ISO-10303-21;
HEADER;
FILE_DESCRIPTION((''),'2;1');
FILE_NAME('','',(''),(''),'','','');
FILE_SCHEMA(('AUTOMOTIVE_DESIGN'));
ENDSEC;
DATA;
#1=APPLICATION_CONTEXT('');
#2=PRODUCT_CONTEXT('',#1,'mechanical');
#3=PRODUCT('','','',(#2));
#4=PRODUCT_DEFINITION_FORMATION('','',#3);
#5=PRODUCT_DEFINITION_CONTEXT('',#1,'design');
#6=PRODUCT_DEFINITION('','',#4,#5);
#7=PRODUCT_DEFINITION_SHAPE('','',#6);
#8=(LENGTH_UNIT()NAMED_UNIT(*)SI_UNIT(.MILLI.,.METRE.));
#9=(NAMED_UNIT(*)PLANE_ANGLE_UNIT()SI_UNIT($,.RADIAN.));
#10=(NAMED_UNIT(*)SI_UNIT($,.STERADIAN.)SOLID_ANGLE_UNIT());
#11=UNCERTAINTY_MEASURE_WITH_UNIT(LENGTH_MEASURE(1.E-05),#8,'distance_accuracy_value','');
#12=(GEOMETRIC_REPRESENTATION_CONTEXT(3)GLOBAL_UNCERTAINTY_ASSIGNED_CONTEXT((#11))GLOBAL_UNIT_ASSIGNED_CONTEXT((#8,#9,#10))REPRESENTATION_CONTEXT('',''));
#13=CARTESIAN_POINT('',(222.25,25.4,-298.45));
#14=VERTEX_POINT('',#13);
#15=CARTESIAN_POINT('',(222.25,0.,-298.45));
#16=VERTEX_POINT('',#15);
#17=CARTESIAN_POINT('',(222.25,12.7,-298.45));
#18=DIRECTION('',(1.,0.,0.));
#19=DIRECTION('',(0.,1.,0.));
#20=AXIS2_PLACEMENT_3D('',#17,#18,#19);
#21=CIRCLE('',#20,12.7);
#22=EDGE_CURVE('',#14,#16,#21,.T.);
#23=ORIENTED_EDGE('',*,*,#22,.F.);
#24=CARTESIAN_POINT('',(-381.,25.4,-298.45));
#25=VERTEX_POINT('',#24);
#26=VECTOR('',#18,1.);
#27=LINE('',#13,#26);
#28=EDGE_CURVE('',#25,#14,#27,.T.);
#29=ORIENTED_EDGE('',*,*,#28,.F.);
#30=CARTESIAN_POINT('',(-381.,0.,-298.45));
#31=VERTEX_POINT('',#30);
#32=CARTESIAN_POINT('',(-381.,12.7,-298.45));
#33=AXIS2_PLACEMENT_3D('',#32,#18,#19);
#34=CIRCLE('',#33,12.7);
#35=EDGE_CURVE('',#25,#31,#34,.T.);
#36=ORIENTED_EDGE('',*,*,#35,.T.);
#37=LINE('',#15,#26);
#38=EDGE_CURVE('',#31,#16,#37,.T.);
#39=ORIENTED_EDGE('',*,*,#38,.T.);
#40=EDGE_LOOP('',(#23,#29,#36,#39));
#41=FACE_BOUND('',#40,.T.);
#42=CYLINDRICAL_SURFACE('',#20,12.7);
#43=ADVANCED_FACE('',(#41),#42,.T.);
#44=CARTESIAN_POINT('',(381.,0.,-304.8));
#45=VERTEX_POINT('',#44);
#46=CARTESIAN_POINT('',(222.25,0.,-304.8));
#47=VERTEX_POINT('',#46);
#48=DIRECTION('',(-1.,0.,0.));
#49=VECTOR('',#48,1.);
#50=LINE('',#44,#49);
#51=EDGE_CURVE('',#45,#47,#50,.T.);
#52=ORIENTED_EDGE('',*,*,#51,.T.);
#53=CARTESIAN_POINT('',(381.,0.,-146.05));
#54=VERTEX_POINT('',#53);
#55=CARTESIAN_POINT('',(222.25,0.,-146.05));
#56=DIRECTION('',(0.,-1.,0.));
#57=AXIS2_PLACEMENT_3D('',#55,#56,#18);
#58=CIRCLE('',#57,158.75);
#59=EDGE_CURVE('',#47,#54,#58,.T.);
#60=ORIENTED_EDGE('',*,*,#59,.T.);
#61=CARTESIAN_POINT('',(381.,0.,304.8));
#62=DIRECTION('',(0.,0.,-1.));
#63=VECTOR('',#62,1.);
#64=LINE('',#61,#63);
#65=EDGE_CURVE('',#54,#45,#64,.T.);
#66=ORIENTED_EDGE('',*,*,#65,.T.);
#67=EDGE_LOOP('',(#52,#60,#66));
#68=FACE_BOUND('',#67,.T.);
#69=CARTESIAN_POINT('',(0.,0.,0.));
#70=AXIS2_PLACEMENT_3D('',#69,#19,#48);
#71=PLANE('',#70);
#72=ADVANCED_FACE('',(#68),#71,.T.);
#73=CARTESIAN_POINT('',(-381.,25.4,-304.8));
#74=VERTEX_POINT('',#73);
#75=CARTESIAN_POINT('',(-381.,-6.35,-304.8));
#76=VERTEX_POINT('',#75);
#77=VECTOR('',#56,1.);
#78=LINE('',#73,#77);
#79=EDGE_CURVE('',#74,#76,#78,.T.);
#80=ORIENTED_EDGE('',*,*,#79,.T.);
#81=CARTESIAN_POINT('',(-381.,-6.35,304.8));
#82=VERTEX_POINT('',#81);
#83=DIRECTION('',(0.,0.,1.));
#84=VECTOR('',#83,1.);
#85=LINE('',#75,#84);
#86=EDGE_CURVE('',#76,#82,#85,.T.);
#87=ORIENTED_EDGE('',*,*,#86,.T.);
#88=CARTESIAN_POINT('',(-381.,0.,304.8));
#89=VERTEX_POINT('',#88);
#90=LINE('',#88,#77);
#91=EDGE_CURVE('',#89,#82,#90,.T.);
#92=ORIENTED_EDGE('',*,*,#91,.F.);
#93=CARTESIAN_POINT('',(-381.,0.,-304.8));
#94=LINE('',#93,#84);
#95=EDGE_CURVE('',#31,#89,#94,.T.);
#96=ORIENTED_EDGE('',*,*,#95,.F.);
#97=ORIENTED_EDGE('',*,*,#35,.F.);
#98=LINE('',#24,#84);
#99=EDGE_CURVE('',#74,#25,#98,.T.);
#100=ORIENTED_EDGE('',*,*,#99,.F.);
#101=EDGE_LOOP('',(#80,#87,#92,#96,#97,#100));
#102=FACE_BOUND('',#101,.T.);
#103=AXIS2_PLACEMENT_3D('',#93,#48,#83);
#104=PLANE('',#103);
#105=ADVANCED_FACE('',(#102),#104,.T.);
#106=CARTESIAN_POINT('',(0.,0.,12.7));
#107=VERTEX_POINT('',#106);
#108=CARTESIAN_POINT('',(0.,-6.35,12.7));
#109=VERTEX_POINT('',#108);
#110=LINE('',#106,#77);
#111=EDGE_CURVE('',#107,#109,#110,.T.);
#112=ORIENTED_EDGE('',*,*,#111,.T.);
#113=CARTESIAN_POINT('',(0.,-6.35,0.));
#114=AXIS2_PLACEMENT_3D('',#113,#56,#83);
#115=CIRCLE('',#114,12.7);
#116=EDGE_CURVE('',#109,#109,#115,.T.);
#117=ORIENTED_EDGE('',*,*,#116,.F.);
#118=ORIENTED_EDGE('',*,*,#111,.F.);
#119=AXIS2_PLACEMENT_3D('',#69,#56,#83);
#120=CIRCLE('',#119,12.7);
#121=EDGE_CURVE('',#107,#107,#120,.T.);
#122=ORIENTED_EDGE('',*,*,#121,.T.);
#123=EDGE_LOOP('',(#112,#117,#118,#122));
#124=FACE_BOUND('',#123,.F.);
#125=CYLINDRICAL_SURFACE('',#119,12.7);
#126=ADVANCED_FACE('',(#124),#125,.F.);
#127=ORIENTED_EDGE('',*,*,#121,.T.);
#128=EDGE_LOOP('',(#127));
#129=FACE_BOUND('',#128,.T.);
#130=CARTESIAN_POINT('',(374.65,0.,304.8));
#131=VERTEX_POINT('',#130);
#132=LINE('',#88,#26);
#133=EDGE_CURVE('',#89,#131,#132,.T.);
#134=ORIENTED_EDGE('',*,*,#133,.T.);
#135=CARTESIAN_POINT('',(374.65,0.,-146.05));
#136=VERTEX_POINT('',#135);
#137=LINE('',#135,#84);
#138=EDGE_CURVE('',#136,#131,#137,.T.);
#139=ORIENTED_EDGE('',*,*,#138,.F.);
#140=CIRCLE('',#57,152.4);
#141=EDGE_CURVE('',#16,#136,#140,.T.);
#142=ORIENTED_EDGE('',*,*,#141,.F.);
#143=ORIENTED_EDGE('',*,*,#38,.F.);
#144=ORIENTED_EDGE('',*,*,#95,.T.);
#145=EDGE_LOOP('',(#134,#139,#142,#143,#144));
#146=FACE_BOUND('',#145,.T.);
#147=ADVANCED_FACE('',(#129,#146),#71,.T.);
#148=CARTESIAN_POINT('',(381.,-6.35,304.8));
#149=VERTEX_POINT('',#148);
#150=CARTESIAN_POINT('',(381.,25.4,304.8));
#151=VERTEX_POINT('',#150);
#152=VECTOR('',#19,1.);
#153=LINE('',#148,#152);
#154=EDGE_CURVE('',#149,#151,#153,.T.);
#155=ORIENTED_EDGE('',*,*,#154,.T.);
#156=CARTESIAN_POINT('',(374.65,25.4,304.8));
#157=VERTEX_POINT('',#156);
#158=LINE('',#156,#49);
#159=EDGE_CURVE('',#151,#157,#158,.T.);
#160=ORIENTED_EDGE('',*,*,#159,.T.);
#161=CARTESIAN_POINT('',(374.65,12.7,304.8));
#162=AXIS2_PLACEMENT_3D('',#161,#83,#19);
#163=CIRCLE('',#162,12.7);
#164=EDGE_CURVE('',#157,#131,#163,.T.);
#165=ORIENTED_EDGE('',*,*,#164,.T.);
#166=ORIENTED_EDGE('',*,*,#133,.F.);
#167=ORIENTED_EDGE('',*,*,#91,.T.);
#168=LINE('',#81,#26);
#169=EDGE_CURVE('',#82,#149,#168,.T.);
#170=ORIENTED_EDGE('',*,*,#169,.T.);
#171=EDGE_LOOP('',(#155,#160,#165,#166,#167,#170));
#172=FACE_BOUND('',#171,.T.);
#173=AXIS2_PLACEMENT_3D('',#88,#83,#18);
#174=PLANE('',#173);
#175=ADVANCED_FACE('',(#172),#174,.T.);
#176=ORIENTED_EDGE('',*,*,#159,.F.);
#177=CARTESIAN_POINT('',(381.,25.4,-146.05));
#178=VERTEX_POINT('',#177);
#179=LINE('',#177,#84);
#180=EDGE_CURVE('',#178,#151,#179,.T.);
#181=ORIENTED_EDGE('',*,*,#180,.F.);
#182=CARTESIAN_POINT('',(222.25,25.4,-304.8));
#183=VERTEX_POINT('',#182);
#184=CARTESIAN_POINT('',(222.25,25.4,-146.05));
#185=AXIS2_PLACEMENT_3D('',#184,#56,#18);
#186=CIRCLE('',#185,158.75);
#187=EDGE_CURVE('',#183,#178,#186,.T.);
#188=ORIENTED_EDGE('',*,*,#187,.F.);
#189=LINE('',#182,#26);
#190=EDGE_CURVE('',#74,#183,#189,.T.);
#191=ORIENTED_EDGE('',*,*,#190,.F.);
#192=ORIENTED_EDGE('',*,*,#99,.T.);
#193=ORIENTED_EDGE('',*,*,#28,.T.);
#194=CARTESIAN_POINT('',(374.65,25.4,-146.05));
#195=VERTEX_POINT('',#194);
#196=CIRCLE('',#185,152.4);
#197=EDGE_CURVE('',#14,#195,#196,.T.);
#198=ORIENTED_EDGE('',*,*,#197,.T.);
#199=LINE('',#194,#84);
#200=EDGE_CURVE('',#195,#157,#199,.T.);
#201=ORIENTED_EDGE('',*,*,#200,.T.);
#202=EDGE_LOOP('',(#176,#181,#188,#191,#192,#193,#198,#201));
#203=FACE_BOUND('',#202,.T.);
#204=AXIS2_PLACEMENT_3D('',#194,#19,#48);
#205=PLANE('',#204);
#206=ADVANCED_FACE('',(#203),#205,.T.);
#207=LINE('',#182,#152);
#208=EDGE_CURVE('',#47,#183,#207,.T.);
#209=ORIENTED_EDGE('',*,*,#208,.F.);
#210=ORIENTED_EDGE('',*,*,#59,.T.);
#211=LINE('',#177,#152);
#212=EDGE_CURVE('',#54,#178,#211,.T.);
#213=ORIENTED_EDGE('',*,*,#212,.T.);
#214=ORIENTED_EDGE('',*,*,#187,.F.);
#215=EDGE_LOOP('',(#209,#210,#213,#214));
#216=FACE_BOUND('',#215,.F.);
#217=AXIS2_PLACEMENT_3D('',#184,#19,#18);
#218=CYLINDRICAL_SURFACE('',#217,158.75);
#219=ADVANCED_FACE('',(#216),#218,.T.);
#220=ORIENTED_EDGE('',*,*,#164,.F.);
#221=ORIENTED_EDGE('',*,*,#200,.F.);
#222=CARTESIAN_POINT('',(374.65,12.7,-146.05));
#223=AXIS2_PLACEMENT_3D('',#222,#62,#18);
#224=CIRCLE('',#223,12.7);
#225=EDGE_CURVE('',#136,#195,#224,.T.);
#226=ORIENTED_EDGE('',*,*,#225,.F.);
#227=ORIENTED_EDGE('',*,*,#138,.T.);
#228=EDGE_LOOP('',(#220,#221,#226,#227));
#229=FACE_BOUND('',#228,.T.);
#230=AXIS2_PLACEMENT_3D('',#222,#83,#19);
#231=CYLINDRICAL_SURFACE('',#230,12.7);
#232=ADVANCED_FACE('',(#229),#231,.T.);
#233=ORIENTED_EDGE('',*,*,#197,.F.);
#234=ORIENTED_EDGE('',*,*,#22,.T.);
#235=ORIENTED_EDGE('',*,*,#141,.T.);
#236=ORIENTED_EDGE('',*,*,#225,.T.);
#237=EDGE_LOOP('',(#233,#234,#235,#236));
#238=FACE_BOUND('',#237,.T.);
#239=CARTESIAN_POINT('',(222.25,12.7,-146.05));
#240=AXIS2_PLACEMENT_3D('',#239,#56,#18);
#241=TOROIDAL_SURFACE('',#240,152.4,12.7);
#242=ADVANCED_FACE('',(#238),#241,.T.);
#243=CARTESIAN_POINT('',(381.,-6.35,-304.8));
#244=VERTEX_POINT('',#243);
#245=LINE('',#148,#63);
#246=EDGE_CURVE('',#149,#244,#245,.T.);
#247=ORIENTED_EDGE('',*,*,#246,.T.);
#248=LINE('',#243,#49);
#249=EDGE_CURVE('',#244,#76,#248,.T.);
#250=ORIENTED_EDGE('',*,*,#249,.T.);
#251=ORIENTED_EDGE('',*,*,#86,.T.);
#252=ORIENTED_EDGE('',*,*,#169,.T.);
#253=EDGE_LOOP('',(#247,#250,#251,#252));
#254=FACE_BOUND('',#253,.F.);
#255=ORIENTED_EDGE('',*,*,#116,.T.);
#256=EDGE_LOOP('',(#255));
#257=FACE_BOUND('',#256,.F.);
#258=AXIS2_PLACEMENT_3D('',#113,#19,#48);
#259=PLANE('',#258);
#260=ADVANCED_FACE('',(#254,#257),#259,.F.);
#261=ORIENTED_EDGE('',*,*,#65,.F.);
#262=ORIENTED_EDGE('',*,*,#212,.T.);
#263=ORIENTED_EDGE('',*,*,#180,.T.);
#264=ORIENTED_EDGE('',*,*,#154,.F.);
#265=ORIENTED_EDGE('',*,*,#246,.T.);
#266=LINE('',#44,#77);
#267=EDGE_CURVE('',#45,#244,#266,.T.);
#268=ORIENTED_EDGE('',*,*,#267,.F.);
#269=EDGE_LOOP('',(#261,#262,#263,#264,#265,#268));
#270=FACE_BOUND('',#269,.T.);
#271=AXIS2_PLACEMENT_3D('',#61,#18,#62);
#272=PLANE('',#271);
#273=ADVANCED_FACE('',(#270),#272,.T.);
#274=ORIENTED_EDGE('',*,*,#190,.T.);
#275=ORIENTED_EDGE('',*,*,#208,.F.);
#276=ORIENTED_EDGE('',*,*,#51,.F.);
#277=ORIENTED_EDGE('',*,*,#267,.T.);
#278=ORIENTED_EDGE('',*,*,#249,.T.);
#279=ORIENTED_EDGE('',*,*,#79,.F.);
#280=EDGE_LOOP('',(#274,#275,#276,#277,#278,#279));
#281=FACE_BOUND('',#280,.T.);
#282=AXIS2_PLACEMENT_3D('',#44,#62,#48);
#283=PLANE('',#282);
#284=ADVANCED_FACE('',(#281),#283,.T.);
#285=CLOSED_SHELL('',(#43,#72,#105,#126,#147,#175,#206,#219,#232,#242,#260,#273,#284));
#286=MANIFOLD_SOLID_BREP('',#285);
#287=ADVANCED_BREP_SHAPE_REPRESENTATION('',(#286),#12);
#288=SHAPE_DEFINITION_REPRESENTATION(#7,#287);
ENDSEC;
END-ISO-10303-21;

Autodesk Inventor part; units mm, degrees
ref_plane "YZ Plane" through (0, 0, 0) normal (1, 0, 0) x (0, 1, 0)
sketch "Sketch1" plane through (0, 0, 0) normal (0, 1, 0) x (-1, 0, 0)
  line L0 (-381, 304.8) -> (-381, -304.8)
  line L1 (-381, -304.8) -> (381, -304.8)
  line L2 (381, -304.8) -> (381, 304.8)
  line L3 (381, 304.8) -> (-381, 304.8)
  line L4 (-381, 304.8) -> (381, -304.8) construction
  line L5 (-381, -304.8) -> (381, 304.8) construction
  point P0 (0, 0)
  dimension "width" = 609.6
  dimension "length" = 762
extrude "Extrusion1" add sketch "Sketch1" against normal blind 6.35
ref_plane "Work Plane3" through (-381, 0, 304.8) normal (0, 0, 1) x (1, 0, 0)
sketch "Sketch5" plane through (-381, 0, 304.8) normal (0, 0, 1) x (1, 0, 0)
  line L0 (762, 0) -> (755.65, 0)
  line L1 (755.65, 25.4) -> (762, 25.4)
  line L2 (762, 25.4) -> (762, 0)
  arc A0 (755.65, 25.4) -> (755.65, 0) centre (755.65, 12.7) ccw
  point P0 (381, 0)
  dimension "d16" = 25.4
ref_plane "Work Plane4" through (0, 12.7, 0) normal (0, 1, 0) x (1, 0, 0)
sketch "Sketch6" plane through (0, 12.7, 0) normal (0, 1, 0) x (1, 0, 0)
  line L0 (-381, 304.8) -> (381, 304.8) construction
  line L1 (222.25, 304.8) -> (222.25, 146.05) construction
  line L2 (222.25, 146.05) -> (381, 146.05) construction
  line L3 (381, 304.8) -> (381, -304.8) construction
  arc A0 (368.3, 146.05) -> (222.25, 292.1) centre (222.25, 146.05) ccw
  line L4 (222.25, 292.1) -> (-381, 292.1)
  line L5 (-381, -304.8) -> (-381, 304.8) projected
  line L6 (368.3, 146.05) -> (368.3, -304.8)
  line L7 (381, -304.8) -> (-381, -304.8) projected
  point P0 (0, 0)
  dimension "d20" = 158.75
  dimension "diameterOfFrisbee" = 292.1
sweep "Sweep2" add profiles "Sketch5" path "Sketch6" path curves L6 A0 L4
sketch "Sketch7" plane through (0, 0, 0) normal (0, 1, 0) x (1, 0, 0)
  point P0 (0, 0)
  point P1 (0, 0)
hole "Hole1" at (0, 0, 0) direction (0, -1, 0) diameter 25.4 end through all
properties part number "ShooterBase" material "Wood (Birch)"
